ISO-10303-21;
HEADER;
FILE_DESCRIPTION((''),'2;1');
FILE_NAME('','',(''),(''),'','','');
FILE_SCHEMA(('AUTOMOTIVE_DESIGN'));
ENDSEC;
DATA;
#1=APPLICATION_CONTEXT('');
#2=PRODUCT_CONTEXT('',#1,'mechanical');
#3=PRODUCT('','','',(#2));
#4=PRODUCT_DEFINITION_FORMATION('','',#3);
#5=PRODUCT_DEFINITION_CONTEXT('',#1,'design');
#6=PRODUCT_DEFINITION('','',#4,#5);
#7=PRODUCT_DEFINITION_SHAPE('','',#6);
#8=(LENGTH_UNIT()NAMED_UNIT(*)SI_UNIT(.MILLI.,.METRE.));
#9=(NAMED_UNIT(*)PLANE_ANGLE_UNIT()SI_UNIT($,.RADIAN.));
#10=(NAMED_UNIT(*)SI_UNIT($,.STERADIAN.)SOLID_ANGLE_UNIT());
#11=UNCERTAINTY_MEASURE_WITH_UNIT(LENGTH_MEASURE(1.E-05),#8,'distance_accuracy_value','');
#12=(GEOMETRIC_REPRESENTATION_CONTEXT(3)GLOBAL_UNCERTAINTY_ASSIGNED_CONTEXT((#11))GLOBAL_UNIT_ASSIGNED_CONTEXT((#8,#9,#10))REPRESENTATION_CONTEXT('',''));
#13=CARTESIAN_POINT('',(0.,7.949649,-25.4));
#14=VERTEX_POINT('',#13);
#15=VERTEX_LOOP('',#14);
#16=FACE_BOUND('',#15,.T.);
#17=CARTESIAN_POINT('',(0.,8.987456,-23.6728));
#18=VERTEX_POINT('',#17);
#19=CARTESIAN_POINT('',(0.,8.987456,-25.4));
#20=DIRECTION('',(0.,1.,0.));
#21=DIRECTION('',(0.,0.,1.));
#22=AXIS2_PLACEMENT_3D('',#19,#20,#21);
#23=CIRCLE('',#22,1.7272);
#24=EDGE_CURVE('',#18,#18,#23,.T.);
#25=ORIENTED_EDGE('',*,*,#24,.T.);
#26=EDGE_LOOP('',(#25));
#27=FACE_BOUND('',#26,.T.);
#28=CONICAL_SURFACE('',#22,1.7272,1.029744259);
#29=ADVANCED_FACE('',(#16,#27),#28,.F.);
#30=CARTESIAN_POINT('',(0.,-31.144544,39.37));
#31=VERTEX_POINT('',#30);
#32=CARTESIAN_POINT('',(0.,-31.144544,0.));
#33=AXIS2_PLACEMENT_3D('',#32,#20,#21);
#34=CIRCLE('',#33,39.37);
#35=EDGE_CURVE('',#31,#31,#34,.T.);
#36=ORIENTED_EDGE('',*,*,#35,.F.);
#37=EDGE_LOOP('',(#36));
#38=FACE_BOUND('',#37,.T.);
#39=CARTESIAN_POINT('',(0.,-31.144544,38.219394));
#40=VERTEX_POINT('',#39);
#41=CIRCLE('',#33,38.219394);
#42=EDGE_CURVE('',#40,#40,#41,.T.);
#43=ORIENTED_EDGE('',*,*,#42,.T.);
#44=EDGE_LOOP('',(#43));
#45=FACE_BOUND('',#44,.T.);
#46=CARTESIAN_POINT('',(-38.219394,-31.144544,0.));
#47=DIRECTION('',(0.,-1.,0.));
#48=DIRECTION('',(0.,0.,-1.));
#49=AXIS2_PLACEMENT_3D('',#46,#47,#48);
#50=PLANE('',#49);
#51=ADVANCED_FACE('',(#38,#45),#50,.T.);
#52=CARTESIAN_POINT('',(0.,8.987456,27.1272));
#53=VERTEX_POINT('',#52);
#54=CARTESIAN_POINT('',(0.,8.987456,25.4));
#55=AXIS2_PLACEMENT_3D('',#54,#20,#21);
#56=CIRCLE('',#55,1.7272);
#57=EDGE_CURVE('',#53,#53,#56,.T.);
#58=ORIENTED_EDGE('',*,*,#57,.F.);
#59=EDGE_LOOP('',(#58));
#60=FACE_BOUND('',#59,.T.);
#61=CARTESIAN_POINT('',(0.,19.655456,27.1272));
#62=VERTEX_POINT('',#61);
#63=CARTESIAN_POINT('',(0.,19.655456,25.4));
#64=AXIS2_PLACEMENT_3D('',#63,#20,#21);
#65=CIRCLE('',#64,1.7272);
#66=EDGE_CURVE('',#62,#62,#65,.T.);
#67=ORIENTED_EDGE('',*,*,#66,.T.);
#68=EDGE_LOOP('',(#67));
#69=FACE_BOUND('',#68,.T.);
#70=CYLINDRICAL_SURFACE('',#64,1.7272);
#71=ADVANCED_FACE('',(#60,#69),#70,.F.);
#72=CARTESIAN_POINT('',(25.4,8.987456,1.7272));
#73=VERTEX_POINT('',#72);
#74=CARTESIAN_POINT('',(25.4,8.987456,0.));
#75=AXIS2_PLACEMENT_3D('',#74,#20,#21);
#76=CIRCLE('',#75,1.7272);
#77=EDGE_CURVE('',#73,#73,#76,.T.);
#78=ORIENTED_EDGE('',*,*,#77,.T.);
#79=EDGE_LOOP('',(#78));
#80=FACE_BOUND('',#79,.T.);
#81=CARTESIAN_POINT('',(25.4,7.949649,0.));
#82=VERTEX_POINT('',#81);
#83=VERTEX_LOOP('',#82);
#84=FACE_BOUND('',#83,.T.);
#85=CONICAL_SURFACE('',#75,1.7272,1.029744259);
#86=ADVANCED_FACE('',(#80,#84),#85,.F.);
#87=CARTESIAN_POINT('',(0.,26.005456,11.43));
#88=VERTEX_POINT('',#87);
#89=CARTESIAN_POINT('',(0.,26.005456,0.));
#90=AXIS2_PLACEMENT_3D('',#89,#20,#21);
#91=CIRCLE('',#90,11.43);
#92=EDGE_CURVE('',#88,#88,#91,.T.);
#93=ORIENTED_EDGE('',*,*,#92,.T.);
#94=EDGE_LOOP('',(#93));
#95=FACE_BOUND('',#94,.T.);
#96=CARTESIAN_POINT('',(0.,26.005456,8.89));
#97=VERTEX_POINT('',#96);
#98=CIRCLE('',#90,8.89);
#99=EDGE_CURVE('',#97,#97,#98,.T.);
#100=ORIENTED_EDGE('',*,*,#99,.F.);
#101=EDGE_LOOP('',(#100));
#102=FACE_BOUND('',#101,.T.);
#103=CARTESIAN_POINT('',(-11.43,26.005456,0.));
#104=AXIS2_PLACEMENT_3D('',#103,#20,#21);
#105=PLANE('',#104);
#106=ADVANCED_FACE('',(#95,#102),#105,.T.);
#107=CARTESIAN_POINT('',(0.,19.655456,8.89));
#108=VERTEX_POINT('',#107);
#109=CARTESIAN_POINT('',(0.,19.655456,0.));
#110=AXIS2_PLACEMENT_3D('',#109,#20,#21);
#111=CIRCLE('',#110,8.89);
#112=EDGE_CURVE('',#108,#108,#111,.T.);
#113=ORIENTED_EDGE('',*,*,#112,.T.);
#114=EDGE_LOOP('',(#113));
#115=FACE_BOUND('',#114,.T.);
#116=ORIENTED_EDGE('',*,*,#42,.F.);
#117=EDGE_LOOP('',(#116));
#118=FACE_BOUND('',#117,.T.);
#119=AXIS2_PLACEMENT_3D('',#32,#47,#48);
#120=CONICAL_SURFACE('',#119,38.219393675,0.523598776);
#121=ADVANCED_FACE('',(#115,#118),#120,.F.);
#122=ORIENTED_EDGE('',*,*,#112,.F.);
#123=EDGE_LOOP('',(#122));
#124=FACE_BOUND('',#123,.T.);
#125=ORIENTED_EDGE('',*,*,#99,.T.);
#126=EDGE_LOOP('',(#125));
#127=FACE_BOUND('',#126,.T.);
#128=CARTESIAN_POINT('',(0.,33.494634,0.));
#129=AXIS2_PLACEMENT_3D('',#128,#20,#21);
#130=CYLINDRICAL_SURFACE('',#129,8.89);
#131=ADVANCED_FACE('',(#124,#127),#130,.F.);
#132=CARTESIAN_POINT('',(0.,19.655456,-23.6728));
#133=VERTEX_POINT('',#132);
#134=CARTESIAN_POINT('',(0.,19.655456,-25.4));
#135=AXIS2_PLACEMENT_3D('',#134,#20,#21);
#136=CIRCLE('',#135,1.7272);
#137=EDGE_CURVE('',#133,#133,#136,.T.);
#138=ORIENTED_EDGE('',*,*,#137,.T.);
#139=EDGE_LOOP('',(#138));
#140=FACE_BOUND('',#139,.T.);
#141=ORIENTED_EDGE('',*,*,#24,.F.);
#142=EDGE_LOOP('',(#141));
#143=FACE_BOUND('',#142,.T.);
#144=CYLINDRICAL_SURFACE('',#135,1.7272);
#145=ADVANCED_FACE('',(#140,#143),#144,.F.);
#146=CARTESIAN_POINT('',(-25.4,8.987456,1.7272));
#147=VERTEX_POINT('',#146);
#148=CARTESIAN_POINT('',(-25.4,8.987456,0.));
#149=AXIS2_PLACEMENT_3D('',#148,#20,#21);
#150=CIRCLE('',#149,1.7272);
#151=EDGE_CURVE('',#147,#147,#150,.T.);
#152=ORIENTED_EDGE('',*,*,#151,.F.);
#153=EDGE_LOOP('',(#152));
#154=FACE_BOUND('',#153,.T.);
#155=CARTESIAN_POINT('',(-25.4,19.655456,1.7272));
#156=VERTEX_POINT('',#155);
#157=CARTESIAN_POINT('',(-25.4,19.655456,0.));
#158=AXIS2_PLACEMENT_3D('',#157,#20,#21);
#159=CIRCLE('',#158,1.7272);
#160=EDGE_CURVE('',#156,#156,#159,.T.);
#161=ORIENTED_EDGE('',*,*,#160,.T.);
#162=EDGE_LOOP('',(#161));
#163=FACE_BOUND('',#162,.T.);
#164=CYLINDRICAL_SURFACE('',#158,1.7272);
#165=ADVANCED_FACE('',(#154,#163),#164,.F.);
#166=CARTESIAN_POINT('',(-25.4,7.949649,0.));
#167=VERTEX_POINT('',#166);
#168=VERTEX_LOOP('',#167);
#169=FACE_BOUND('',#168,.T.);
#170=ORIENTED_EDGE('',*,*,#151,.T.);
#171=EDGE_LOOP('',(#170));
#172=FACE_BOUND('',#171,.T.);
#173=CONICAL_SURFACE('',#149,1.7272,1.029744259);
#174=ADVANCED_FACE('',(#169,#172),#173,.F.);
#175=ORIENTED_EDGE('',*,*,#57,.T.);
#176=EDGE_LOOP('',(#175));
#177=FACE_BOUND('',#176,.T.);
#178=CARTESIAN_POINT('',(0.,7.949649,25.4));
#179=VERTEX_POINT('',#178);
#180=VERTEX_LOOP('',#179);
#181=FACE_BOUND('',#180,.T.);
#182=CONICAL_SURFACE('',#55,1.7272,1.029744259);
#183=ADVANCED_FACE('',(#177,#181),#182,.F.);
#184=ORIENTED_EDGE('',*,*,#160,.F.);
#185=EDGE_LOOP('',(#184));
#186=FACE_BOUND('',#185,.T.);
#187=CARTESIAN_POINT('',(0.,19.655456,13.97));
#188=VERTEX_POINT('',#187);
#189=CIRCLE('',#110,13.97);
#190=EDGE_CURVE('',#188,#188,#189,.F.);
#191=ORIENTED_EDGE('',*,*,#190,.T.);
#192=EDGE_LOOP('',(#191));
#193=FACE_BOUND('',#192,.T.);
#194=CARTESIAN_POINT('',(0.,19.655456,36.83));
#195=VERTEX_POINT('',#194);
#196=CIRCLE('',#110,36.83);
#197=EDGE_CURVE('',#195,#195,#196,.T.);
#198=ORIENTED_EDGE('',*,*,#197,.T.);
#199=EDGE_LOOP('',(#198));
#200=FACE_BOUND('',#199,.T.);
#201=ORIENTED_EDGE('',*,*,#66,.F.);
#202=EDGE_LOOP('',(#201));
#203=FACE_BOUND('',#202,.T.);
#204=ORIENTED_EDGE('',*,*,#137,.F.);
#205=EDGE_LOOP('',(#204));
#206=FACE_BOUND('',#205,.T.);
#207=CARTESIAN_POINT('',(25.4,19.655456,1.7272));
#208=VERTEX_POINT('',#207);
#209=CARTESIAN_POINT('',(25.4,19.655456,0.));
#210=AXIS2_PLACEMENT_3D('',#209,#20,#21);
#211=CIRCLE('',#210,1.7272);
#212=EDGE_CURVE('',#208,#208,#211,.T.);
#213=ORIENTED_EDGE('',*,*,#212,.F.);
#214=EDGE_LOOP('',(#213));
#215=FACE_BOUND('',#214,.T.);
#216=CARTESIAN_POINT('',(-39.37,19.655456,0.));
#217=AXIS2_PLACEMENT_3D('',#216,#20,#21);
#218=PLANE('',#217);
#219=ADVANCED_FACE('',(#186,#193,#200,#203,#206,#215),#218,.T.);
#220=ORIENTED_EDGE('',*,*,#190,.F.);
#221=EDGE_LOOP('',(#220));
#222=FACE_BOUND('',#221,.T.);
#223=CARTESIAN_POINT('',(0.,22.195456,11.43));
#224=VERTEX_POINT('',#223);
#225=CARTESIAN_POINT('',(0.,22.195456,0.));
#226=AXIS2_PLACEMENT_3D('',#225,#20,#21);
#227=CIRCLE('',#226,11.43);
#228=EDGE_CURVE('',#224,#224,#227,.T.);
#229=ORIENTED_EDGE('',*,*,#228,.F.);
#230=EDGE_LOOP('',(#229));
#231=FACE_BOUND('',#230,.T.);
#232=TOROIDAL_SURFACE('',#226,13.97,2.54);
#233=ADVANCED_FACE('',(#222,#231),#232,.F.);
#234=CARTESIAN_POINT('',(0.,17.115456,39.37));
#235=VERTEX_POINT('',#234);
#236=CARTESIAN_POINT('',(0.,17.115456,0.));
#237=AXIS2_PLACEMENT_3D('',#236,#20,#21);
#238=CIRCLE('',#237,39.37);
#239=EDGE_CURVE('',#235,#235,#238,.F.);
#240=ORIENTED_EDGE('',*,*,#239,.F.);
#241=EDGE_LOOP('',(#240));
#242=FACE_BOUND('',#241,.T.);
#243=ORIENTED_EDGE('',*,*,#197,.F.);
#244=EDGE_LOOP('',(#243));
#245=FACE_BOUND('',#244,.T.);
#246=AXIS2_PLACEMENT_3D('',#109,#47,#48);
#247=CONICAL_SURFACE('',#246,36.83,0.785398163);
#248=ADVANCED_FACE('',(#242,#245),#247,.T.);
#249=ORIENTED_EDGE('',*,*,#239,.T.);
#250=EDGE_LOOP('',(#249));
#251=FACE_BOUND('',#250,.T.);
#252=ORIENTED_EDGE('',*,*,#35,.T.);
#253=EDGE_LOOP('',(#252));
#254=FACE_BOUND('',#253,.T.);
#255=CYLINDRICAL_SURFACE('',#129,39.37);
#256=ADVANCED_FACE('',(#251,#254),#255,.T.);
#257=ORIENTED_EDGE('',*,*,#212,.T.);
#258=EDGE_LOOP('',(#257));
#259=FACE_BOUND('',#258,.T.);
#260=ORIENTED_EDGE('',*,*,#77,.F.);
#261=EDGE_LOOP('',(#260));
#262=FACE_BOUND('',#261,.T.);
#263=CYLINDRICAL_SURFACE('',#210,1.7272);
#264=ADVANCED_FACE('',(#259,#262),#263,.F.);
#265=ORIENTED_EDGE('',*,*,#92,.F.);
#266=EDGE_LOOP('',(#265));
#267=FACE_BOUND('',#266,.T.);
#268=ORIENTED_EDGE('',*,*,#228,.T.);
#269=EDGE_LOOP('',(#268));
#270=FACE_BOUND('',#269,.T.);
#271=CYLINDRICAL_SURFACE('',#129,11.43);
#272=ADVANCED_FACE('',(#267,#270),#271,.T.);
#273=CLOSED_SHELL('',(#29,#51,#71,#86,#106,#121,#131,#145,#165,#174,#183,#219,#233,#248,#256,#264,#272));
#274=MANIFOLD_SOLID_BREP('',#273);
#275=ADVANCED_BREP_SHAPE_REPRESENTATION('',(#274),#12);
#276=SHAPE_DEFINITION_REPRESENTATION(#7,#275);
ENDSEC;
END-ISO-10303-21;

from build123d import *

# Parameters (mm, degrees)
FILLET1_R                 = 2.54
CHAMFER1_SIZE             = 2.54
F_8_32_TAPPED_HOLE1_D     = 3.4544
F_8_32_TAPPED_HOLE1_DEPTH = 10.668
F_8_32_TAPPED_HOLE1_TIP   = 1.037806461


with BuildPart() as part:
    # Sketch1 → Revolve1 (revolve)
    with BuildSketch(Plane.XY):
        Polygon((-8.89, 26.005455731), (-8.89, 19.655455731), (-38.219393675, -31.144544269), (-39.37, -31.144544269), (-39.37, 19.655455731), (-11.43, 19.655455731), (-11.43, 26.005455731), align=None)
    revolve(axis=Axis((0, 33.494633817, 0), (0, -1, 0)))

    # Fillet1
    fillet1_edges = [part.edges().sort_by_distance(p)[0] for p in [
        (11.43, 19.655455731, 0),
    ]]
    fillet(fillet1_edges, radius=FILLET1_R)

    # Chamfer1
    chamfer1_edges = [part.edges().sort_by_distance(p)[0] for p in [
        (39.37, 19.655455731, 0),
    ]]
    chamfer(chamfer1_edges, length=CHAMFER1_SIZE)

    # #8-32 Tapped Hole1
    with Locations(Plane(origin=(0, 19.655455731, 0), x_dir=(1, 0, 0), z_dir=(0, 1, 0))):
        with Locations((0, -25.4), (25.4, 0), (0, 25.4), (-25.4, 0)):
            Hole(F_8_32_TAPPED_HOLE1_D / 2, depth=F_8_32_TAPPED_HOLE1_DEPTH)
            with Locations((0, 0, -(F_8_32_TAPPED_HOLE1_DEPTH + F_8_32_TAPPED_HOLE1_TIP / 2))):  # 118° drill point
                Cone(0, F_8_32_TAPPED_HOLE1_D / 2, F_8_32_TAPPED_HOLE1_TIP, mode=Mode.SUBTRACT)


solid = part.part
